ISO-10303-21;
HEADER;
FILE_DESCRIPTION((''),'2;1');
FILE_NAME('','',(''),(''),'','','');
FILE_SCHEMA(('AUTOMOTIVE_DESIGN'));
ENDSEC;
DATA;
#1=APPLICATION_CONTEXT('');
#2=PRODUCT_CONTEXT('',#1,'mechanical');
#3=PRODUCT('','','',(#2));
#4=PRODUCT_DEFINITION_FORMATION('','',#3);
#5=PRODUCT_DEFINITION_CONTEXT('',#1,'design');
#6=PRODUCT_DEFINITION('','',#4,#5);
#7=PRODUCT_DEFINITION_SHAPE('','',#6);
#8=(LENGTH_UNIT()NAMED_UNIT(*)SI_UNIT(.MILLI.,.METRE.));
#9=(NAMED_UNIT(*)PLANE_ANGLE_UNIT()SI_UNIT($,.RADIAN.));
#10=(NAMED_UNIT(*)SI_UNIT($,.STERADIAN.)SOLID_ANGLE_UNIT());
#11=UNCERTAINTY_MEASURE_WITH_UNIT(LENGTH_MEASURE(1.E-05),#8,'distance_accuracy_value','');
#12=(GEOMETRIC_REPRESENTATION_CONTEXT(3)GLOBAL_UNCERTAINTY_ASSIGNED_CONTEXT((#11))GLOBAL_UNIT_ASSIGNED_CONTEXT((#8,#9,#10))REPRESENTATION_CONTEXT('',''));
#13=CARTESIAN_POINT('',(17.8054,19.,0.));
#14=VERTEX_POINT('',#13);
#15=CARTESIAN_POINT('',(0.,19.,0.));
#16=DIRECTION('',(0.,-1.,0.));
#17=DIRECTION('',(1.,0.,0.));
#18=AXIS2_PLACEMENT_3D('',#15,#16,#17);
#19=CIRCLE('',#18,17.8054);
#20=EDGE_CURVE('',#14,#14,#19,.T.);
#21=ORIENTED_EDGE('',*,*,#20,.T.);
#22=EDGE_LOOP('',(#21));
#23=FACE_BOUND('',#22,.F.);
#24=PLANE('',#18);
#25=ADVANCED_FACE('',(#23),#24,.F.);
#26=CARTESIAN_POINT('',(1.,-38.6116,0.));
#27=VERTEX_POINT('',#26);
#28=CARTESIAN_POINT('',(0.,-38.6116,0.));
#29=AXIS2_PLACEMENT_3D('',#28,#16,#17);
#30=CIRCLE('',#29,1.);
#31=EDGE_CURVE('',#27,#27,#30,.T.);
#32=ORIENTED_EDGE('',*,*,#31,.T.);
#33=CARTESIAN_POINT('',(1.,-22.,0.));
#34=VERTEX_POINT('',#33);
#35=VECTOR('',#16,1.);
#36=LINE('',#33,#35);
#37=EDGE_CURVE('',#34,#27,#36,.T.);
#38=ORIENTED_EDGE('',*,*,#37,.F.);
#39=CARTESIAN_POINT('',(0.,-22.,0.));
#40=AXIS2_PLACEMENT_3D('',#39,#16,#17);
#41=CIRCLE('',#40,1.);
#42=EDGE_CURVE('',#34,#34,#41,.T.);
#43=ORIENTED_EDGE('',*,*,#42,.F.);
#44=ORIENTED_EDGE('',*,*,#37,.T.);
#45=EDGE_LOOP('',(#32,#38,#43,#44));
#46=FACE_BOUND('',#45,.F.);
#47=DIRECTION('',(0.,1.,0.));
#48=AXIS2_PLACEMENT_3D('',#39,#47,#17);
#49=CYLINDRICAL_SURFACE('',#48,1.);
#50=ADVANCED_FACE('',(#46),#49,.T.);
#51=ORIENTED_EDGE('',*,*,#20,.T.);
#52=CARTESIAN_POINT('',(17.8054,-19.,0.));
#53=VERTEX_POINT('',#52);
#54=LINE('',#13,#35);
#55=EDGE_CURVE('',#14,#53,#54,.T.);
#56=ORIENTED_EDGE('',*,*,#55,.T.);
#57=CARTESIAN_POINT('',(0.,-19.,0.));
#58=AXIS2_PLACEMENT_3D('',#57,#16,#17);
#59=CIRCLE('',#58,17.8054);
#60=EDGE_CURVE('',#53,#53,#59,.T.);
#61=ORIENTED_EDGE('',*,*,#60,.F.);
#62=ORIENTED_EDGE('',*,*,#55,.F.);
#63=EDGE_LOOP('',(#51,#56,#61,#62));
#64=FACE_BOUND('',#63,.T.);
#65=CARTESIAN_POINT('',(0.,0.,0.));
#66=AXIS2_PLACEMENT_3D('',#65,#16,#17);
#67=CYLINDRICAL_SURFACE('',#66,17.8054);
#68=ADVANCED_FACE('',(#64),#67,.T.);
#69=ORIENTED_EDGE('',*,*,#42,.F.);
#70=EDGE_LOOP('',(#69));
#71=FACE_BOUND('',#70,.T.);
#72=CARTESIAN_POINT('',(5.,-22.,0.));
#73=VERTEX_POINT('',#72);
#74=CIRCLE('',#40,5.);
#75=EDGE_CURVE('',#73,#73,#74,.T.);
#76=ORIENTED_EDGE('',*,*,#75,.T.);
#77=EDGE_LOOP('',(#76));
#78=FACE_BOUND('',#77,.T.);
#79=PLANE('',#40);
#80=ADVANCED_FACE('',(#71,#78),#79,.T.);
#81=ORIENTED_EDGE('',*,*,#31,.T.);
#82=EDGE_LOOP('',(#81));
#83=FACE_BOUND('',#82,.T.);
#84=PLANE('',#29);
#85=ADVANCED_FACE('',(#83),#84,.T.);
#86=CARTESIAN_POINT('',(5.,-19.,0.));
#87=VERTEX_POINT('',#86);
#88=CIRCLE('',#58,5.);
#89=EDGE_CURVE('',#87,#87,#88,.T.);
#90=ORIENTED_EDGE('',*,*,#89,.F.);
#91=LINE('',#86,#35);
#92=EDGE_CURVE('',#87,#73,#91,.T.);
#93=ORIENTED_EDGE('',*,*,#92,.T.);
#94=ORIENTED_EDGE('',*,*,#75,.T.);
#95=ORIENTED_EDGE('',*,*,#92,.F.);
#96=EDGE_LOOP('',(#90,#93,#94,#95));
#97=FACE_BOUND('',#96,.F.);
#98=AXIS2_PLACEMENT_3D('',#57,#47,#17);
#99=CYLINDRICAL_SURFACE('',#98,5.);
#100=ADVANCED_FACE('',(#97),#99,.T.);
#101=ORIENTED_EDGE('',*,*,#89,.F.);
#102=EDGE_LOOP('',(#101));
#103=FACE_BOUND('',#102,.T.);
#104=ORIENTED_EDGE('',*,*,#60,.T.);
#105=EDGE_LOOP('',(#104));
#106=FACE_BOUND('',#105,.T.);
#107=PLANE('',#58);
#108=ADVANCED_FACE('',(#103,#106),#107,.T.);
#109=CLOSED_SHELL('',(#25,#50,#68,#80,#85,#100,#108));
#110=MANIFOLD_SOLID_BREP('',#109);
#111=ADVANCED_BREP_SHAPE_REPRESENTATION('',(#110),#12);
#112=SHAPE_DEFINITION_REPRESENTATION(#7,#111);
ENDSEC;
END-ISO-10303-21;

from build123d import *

# Parameters (mm, degrees)
F0_R     = 17.8054
F1_DEPTH = 19
F2_R     = 5
F3_DEPTH = 3
F4_R     = 1
F5_DEPTH = 16.6116


with BuildPart() as f1:
    # F0 (on Front) → F1 (new body, symmetric)
    with BuildSketch(Plane.XZ):
        Circle(F0_R)
    extrude(amount=F1_DEPTH, both=True)

    # F2 (on face) → F3 (join)
    with BuildSketch(Plane.XZ.offset(19)):
        Circle(F2_R)
    extrude(amount=F3_DEPTH)

    # F4 (on face) → F5 (join)
    with BuildSketch(Plane.XZ.offset(22)):
        Circle(F4_R)
    extrude(amount=F5_DEPTH)


solid = f1.part
